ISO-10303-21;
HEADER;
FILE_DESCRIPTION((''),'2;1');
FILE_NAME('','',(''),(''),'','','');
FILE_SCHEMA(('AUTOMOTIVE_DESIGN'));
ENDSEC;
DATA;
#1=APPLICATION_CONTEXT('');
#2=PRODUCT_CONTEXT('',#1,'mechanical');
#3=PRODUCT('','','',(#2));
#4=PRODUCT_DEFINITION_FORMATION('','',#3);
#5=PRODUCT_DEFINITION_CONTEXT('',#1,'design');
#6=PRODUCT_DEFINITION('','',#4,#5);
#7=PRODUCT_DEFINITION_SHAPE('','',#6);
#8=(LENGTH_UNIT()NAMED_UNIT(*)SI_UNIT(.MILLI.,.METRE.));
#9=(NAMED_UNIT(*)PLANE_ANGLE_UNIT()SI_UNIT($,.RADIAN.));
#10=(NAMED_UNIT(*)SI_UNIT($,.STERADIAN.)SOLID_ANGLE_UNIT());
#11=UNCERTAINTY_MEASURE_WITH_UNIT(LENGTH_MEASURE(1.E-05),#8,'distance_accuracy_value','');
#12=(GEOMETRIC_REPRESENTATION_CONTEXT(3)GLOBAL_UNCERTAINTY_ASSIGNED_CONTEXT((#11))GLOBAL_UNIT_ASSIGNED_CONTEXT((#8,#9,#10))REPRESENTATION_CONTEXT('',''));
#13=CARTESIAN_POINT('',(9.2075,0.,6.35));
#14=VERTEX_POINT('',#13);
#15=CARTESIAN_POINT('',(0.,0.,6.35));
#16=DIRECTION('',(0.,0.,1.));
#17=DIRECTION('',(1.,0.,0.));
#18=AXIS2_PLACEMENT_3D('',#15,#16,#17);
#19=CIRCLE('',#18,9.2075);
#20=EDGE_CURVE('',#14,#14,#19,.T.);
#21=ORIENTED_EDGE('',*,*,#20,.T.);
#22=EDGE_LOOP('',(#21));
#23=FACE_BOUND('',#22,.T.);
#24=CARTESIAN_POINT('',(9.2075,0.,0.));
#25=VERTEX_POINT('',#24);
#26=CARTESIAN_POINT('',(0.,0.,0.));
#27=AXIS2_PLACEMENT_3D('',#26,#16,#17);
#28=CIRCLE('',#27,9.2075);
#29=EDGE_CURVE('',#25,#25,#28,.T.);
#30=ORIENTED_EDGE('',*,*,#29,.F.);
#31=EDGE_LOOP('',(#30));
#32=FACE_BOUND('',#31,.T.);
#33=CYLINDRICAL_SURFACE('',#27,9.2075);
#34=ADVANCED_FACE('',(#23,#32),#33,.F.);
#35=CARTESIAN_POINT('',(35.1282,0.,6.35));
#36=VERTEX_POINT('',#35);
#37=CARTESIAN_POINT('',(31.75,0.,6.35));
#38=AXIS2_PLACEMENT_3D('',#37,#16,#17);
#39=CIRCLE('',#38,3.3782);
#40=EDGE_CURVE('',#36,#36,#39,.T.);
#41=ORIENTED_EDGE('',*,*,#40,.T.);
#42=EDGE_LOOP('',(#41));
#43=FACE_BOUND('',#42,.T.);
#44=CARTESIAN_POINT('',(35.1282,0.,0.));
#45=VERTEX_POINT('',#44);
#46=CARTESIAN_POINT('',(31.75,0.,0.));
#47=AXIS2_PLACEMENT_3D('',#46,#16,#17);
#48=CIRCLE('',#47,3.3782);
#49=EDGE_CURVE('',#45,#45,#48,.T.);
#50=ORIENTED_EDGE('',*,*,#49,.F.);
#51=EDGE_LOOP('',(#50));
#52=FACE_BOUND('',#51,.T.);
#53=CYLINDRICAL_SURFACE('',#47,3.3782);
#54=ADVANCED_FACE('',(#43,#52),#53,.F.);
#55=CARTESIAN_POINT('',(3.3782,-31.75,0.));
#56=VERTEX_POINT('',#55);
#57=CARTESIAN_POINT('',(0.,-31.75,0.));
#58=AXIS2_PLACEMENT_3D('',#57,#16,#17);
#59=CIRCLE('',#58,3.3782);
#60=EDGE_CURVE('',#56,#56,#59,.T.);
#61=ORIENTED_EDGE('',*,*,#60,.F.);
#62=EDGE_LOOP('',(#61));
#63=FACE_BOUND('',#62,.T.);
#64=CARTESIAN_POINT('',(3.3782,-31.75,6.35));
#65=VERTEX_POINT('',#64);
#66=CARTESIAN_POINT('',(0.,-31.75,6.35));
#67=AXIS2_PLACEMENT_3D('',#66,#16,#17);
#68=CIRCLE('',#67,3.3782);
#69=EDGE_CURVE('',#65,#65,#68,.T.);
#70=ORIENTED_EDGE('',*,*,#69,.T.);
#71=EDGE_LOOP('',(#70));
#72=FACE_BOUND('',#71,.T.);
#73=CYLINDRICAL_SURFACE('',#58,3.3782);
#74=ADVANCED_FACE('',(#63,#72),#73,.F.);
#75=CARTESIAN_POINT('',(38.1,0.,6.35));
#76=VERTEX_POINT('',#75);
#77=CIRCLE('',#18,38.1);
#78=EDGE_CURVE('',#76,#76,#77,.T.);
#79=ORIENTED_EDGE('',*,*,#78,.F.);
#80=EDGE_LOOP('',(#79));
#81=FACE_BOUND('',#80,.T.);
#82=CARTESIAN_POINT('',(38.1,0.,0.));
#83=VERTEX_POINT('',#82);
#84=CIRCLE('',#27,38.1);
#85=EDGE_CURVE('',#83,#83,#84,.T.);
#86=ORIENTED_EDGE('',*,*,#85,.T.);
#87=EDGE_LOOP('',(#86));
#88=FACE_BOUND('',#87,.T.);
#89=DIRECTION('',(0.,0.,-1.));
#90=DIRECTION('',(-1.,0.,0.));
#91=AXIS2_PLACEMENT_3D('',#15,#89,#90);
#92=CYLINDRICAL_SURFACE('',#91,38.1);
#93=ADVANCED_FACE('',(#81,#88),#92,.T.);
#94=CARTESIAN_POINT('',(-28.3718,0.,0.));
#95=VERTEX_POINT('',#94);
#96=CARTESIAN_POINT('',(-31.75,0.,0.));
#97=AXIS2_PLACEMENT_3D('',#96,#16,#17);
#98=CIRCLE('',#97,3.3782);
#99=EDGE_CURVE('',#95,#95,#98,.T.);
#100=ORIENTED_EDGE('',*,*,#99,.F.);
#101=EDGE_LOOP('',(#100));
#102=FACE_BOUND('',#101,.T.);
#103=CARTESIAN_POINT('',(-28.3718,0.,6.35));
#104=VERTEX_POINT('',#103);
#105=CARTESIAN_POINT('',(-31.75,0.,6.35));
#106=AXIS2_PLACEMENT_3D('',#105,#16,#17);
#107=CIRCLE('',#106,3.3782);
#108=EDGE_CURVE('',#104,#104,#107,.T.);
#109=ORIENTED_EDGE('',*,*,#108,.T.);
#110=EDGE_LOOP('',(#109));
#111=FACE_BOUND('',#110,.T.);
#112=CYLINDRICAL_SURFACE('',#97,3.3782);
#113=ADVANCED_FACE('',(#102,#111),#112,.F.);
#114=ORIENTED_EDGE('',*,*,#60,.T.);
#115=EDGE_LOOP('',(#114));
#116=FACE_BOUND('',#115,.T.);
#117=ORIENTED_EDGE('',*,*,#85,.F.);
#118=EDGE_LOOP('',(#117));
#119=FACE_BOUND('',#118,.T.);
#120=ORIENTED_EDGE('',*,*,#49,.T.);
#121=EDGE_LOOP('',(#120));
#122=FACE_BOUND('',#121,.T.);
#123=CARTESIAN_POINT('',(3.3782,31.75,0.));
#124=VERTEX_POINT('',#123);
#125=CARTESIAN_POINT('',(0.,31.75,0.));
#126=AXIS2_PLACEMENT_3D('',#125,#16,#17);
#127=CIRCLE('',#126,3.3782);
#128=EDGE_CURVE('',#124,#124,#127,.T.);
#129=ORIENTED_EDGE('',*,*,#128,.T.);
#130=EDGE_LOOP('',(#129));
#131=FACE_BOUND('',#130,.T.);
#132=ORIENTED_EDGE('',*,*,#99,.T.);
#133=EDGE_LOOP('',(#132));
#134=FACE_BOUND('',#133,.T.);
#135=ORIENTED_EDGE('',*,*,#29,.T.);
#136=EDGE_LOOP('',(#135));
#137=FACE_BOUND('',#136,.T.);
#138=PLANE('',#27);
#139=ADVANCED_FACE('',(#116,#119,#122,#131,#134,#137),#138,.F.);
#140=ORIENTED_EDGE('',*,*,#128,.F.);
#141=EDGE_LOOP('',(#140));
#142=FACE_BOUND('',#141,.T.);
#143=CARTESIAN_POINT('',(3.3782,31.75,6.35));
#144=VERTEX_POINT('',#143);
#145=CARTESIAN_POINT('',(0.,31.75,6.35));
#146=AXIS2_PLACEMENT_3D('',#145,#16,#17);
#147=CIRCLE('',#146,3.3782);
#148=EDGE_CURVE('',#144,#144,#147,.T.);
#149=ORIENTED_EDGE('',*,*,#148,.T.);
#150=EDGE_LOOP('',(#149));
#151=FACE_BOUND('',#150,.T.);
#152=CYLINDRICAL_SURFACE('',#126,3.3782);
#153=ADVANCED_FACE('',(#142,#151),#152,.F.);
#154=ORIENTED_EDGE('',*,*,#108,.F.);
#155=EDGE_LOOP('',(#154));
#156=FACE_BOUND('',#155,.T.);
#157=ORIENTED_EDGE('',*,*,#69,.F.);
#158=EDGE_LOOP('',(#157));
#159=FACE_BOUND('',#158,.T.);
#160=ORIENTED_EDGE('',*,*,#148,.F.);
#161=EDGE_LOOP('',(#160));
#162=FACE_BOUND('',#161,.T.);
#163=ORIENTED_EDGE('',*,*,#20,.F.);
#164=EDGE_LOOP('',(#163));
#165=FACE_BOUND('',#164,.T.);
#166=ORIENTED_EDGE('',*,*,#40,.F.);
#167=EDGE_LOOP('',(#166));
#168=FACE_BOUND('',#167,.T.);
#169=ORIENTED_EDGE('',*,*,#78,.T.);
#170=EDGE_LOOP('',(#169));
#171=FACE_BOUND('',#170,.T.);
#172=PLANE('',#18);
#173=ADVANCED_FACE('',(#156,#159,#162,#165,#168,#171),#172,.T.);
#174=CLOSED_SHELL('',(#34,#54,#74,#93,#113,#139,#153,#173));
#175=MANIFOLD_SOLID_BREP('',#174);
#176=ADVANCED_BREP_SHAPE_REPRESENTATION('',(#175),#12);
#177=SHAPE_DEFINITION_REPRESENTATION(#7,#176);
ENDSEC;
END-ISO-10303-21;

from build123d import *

# Parameters (mm, degrees)
SKETCH1_R           = 38.1
BOSS_EXTRUDE1_DEPTH = 6.35
SKETCH2_R           = 3.3782
CUT_EXTRUDE1_DEPTH  = 6.35
SKETCH3_R           = 9.2075
CUT_EXTRUDE2_DEPTH  = 6.35


with BuildPart() as part:
    # Sketch1 → Boss-Extrude1 (new body)
    with BuildSketch(Plane.XY):
        Circle(SKETCH1_R)
    extrude(amount=BOSS_EXTRUDE1_DEPTH)

    # Sketch2 → Cut-Extrude1 (cut)
    with BuildSketch(Plane.XY.offset(6.35)):
        with Locations((0, 31.75)):
            Circle(SKETCH2_R)
        with Locations((31.75, 0)):
            Circle(SKETCH2_R)
        with Locations((0, -31.75)):
            Circle(SKETCH2_R)
        with Locations((-31.75, 0)):
            Circle(SKETCH2_R)
    extrude(amount=-CUT_EXTRUDE1_DEPTH, mode=Mode.SUBTRACT)

    # Sketch3 → Cut-Extrude2 (cut)
    with BuildSketch(Plane.XY.offset(6.35)):
        Circle(SKETCH3_R)
    extrude(amount=-CUT_EXTRUDE2_DEPTH, mode=Mode.SUBTRACT)


solid = part.part
